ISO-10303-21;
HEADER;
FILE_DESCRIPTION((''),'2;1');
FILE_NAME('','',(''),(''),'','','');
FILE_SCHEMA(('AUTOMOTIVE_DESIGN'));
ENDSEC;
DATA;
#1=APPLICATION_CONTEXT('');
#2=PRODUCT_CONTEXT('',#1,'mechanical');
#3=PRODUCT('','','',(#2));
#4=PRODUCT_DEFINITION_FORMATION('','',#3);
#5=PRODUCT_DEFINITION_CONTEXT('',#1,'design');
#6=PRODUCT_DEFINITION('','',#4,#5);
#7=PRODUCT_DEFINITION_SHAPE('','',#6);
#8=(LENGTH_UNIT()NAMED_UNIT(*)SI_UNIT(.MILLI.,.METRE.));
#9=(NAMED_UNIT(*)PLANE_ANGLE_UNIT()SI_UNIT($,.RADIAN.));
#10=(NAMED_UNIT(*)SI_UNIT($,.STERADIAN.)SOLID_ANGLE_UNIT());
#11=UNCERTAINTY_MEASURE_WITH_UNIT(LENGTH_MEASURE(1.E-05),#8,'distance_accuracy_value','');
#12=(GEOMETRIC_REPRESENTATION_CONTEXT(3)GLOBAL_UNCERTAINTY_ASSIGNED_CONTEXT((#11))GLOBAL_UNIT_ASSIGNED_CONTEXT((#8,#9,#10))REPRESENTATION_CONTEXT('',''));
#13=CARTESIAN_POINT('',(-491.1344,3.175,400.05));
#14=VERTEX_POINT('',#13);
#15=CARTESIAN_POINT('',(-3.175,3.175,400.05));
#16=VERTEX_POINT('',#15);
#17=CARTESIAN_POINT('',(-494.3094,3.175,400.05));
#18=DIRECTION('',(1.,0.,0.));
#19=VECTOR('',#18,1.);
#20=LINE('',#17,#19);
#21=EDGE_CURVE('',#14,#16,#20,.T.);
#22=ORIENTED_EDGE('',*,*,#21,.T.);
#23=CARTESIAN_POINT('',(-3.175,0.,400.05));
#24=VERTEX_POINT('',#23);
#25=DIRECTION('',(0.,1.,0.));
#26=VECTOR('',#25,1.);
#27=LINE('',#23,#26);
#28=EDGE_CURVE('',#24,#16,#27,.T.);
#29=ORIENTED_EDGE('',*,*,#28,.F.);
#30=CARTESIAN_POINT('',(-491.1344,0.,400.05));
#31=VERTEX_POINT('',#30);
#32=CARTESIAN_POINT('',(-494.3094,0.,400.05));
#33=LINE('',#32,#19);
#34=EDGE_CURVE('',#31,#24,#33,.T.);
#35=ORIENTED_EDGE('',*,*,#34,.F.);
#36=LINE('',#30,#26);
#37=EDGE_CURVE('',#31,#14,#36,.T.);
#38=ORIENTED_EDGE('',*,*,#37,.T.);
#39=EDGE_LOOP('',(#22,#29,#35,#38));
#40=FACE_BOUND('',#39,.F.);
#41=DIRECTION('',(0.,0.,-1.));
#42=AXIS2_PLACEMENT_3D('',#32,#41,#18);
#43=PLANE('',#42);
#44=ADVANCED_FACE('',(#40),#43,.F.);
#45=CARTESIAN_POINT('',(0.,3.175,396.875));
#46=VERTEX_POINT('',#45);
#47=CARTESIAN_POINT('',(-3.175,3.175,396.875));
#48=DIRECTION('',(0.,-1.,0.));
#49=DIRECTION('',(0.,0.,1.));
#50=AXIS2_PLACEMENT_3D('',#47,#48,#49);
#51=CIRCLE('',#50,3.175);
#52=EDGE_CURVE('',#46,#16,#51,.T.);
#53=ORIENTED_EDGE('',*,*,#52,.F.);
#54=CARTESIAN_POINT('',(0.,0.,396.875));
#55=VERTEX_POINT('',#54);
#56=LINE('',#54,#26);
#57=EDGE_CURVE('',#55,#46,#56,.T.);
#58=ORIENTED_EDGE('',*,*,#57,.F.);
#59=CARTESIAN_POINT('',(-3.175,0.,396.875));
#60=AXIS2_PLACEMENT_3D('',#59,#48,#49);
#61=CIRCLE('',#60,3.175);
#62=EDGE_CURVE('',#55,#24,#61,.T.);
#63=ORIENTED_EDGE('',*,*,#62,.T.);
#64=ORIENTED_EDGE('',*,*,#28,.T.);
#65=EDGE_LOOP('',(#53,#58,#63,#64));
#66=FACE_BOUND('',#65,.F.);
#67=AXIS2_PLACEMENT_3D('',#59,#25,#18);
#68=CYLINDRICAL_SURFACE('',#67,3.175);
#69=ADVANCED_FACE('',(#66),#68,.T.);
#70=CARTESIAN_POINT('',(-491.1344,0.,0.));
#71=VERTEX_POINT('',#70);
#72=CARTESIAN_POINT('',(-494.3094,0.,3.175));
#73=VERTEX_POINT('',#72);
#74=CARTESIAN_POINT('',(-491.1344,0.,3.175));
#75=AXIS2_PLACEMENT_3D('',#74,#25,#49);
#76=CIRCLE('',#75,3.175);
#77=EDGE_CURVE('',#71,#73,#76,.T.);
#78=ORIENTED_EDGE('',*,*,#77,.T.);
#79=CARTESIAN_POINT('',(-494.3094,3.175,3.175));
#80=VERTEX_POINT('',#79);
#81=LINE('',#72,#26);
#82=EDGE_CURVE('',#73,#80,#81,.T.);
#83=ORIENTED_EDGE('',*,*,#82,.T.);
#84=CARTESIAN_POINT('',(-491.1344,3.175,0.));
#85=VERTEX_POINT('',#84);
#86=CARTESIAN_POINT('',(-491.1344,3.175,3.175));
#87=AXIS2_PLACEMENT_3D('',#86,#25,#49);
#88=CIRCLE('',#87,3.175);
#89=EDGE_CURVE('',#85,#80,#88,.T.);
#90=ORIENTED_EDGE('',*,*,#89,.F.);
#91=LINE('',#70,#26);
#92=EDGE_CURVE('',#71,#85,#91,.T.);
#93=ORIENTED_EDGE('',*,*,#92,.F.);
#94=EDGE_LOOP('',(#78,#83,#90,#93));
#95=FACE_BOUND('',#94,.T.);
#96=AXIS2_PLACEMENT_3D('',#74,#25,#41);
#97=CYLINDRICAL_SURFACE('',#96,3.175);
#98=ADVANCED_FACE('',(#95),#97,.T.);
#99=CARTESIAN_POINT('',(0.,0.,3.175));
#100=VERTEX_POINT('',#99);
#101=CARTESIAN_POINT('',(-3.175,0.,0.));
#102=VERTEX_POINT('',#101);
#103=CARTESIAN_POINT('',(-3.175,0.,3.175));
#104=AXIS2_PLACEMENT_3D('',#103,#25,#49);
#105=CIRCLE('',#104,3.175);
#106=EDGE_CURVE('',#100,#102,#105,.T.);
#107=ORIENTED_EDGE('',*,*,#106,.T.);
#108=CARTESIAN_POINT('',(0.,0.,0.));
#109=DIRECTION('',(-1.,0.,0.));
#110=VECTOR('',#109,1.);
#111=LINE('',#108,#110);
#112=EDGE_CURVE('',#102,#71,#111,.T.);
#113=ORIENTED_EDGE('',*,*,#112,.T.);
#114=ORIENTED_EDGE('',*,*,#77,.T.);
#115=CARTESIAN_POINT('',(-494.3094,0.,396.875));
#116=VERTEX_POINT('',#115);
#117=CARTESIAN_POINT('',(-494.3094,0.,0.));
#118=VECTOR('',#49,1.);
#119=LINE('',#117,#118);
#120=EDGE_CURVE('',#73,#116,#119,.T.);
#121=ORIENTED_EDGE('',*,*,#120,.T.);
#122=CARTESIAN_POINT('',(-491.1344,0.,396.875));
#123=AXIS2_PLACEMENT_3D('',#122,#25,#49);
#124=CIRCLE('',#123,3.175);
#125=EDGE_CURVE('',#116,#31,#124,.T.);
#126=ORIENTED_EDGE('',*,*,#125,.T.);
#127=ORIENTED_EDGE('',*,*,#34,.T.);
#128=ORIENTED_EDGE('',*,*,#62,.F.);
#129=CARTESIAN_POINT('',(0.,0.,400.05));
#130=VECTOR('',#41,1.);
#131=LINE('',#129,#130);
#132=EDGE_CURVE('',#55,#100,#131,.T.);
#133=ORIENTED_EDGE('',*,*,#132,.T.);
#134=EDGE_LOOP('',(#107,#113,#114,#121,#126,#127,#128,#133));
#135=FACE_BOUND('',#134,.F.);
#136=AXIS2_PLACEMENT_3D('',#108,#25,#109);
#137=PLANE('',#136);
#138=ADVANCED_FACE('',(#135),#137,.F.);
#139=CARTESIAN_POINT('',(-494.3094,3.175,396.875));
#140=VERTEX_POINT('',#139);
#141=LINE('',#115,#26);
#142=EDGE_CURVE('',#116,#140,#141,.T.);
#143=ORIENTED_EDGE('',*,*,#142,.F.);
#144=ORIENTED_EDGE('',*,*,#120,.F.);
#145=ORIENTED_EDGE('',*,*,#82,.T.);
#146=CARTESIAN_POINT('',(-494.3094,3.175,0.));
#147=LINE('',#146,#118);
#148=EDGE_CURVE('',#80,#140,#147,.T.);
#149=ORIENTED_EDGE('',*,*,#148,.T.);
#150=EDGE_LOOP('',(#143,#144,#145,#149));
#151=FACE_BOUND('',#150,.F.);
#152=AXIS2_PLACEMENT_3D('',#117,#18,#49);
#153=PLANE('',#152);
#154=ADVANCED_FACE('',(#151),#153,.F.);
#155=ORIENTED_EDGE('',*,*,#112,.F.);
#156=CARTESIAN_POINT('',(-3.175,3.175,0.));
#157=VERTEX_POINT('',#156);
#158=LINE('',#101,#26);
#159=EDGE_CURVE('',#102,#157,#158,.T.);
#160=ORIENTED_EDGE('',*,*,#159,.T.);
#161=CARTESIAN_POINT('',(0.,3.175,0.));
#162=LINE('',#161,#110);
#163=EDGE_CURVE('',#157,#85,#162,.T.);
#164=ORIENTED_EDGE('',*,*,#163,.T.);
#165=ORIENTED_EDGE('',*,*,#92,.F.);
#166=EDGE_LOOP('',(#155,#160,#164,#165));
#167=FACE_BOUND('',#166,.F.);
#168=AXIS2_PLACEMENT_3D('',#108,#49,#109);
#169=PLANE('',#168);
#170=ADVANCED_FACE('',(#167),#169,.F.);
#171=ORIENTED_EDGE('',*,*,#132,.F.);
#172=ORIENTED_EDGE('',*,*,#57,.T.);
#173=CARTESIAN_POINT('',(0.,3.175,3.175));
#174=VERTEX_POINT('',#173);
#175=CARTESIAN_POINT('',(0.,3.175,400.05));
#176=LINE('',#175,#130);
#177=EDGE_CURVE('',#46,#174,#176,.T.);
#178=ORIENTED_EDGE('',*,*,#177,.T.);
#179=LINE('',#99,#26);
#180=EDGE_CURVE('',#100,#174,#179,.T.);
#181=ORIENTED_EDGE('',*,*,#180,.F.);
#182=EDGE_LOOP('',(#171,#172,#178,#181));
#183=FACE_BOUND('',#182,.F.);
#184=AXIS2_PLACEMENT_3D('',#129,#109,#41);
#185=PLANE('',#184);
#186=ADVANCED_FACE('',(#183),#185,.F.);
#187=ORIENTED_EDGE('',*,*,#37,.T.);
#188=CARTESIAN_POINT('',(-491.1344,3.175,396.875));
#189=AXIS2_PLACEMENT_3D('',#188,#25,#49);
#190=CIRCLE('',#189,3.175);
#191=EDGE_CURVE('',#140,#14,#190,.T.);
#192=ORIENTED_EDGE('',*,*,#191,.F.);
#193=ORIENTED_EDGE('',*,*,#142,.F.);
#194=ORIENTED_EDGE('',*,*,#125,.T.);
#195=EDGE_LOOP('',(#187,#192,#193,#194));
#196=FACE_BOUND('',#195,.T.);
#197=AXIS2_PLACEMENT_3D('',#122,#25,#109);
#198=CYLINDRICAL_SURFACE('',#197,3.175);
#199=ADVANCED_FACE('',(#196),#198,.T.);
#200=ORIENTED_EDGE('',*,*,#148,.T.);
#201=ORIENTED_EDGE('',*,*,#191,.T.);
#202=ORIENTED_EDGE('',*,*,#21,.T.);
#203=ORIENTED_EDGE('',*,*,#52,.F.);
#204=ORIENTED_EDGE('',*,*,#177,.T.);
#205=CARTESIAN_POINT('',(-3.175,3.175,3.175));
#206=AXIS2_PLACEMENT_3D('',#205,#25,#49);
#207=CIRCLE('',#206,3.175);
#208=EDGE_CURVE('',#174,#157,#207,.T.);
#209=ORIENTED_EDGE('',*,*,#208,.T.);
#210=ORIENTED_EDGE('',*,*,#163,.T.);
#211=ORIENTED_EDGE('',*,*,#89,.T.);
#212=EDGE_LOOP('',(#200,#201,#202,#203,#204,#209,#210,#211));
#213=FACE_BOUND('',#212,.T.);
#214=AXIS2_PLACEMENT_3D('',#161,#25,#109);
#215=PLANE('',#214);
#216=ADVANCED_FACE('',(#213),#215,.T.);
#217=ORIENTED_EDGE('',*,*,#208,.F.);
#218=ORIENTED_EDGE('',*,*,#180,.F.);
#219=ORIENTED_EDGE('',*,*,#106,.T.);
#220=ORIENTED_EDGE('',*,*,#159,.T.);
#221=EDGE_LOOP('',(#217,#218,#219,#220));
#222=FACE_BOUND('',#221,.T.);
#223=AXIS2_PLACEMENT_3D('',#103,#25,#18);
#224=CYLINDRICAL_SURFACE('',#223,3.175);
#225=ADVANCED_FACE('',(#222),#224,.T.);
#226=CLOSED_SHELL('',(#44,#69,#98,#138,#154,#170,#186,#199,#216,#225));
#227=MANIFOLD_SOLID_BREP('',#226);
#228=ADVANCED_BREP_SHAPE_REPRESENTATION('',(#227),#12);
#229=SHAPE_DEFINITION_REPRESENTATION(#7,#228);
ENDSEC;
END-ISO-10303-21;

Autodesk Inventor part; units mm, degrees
ref_plane "YZ Plane" through (0, 0, 0) normal (1, 0, 0) x (0, 1, 0)
ref_plane "XZ Plane" through (0, 0, 0) normal (0, 1, 0) x (-1, 0, 0)
ref_plane "XY Plane" through (0, 0, 0) normal (0, 0, 1) x (1, 0, 0)
sketch "Sketch1" plane through (0, 0, 0) normal (0, 1, 0) x (-1, 0, 0)
  line L0 (494.3094, 400.05) -> (0, 400.05)
  line L1 (0, 400.05) -> (0, 0)
  line L2 (0, 0) -> (494.3094, 0)
  line L3 (494.3094, 0) -> (494.3094, 400.05)
extrude "Extrusion1" add sketch "Sketch1" along normal blind 3.175
fillet "Fillet1" radius 3.175 1 edges at (0, 1.5875, 400.05)
fillet "Fillet2" radius 3.175 1 edges at (0, 1.5875, 0)
fillet "Fillet3" radius 3.175 1 edges at (-494.3094, 1.5875, 0)
fillet "Fillet4" radius 3.175 1 edges at (-494.3094, 1.5875, 400.05)
properties part number "liftingMechanismPlate"
